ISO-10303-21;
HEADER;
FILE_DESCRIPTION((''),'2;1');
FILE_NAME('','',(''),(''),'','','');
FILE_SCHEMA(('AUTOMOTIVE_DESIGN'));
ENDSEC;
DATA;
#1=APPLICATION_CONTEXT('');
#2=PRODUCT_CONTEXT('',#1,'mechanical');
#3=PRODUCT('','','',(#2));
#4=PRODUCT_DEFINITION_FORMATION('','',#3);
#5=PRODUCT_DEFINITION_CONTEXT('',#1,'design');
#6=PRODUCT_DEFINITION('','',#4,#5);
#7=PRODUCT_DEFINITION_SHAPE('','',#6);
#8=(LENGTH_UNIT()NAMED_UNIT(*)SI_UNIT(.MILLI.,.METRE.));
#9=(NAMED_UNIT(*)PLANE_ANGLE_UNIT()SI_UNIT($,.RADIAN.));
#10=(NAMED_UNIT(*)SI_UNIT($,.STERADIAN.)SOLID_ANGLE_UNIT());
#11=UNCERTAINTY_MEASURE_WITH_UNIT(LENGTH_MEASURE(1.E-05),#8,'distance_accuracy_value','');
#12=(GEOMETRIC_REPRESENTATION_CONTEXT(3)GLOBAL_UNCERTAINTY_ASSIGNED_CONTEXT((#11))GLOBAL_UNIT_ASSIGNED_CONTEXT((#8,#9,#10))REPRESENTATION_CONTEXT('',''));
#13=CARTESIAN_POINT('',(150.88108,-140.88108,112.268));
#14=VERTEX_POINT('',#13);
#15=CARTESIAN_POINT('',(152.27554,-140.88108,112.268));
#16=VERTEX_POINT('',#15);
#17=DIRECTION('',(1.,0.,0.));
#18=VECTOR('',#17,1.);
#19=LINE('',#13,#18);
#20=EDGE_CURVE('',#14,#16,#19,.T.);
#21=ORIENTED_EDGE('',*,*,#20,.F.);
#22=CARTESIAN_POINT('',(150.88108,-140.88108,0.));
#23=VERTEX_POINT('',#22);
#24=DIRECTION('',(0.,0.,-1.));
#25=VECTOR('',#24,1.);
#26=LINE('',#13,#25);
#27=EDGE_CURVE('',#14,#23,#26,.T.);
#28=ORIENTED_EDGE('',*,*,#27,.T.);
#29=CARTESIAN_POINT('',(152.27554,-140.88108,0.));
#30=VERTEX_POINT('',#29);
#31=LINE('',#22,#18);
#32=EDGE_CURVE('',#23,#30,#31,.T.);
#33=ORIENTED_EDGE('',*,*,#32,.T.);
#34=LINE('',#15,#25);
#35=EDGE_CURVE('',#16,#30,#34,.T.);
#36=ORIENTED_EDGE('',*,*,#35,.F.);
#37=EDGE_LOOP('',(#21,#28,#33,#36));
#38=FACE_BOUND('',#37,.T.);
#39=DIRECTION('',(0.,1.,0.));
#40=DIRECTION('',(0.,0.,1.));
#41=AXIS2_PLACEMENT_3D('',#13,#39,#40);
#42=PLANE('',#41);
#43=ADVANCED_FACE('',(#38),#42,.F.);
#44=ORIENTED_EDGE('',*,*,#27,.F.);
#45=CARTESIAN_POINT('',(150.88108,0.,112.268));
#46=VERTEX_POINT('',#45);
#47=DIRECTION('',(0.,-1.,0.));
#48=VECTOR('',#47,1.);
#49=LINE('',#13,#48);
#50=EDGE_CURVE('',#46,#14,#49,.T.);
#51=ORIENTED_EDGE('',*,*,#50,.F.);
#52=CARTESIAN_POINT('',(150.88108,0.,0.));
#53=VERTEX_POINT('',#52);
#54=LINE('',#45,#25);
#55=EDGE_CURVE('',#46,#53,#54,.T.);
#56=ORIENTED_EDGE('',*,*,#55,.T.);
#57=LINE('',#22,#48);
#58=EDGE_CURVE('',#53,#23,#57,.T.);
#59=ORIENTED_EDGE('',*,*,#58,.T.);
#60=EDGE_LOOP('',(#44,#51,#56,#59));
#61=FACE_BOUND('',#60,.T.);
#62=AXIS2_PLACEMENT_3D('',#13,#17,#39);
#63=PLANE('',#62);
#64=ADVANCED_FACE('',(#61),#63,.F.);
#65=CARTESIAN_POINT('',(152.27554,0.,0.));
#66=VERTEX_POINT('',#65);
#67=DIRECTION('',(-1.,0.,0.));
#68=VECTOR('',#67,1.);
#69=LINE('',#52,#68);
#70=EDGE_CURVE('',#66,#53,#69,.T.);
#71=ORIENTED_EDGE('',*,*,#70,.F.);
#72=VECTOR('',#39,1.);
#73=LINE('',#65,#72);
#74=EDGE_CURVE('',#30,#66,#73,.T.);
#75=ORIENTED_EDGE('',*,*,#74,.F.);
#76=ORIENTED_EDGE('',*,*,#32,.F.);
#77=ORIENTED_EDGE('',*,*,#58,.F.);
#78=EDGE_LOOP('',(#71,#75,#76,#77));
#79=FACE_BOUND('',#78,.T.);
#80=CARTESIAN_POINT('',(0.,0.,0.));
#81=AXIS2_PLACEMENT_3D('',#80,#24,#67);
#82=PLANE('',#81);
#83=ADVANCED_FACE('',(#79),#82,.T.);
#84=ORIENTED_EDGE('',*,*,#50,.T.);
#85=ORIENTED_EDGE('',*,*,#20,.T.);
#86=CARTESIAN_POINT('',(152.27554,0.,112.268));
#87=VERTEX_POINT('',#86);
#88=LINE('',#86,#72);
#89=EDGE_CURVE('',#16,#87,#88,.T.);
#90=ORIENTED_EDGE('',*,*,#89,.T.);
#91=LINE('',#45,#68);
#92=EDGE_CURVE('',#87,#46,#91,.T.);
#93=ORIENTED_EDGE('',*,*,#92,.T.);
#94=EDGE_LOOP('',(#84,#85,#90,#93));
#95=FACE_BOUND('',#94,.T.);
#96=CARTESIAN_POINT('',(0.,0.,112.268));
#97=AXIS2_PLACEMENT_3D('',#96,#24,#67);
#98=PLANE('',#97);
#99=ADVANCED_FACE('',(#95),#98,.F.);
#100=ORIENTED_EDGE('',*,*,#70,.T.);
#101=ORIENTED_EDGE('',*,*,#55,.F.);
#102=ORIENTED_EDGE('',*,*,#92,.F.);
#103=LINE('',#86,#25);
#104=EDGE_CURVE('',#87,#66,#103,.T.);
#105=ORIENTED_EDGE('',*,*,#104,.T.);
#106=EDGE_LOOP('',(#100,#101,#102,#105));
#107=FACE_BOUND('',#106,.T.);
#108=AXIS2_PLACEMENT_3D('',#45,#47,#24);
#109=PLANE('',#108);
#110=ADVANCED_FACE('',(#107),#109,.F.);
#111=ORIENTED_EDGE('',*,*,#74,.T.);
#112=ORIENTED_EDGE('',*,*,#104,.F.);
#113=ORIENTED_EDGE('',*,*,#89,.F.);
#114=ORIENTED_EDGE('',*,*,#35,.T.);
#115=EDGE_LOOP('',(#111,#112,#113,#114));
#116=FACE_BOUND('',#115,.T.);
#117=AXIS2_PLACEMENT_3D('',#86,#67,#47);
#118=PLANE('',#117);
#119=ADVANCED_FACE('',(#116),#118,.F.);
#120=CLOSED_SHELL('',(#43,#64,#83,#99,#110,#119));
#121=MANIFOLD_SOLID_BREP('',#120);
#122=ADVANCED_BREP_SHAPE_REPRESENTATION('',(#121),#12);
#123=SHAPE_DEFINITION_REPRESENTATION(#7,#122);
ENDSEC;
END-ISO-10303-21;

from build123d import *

# Parameters (mm, degrees)
SKETCH1_W           = 1.39446
SKETCH1_H           = 140.88108
BOSS_EXTRUDE1_DEPTH = 112.268


with BuildPart() as part:
    # Sketch1 → Boss-Extrude1 (new body)
    with BuildSketch(Plane.XY):
        with Locations((151.57831, -70.44054)):
            Rectangle(SKETCH1_W, SKETCH1_H)
    extrude(amount=BOSS_EXTRUDE1_DEPTH)


solid = part.part
